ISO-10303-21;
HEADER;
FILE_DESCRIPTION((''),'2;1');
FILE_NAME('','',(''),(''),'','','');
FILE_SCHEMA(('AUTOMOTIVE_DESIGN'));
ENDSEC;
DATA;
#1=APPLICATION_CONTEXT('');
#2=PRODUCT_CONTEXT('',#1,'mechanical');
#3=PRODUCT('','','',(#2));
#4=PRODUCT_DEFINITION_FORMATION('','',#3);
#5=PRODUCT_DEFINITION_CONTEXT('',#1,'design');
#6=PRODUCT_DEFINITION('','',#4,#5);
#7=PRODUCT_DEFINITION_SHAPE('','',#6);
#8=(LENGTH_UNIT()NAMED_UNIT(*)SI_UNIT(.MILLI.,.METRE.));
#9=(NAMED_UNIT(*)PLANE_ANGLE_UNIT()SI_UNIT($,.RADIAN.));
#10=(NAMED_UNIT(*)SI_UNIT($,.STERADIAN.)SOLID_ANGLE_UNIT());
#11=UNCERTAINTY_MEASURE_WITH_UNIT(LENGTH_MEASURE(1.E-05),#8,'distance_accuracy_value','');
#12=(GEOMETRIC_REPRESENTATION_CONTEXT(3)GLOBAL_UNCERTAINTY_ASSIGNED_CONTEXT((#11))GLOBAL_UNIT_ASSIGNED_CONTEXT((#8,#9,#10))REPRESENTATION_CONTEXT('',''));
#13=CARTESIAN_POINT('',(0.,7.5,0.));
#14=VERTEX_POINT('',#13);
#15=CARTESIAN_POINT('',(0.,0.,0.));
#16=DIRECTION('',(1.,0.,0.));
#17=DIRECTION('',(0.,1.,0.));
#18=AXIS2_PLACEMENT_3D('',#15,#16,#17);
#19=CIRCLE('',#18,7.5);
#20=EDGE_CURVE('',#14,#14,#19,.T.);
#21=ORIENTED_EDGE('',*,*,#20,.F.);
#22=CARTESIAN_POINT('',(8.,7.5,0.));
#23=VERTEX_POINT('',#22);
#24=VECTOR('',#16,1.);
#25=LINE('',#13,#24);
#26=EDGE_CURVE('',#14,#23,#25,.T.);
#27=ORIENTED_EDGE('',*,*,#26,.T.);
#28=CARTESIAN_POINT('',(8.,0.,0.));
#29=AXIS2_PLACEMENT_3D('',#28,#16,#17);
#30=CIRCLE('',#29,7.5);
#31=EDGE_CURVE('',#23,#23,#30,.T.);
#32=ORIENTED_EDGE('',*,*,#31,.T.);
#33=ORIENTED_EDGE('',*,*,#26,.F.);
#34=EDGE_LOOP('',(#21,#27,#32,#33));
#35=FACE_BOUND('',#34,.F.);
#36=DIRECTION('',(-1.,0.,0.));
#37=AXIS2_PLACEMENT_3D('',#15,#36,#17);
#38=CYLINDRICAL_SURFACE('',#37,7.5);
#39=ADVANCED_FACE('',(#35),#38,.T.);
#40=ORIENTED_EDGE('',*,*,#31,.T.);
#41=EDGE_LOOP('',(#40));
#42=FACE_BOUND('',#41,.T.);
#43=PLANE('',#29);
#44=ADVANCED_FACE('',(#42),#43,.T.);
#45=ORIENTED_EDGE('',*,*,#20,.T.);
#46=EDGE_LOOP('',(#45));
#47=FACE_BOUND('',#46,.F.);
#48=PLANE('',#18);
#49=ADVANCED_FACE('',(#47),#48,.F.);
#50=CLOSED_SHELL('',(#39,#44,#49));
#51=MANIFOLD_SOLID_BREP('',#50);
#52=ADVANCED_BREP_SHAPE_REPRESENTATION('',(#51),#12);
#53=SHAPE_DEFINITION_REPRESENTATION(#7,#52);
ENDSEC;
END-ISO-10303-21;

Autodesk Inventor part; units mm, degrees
ref_plane "YZ Plane" through (0, 0, 0) normal (1, 0, 0) x (0, 1, 0)
ref_plane "XZ Plane" through (0, 0, 0) normal (0, 1, 0) x (-1, 0, 0)
ref_plane "XY Plane" through (0, 0, 0) normal (0, 0, 1) x (1, 0, 0)
sketch "スケッチ1" plane through (0, 0, 0) normal (1, 0, 0) x (0, 1, 0)
  circle A0 centre (0, 0) radius 7.5
  dimension "d0" = 15
extrude "押し出し1" add sketch "スケッチ1" along normal blind 8
properties part number "gomu_leg" material "ゴム"
